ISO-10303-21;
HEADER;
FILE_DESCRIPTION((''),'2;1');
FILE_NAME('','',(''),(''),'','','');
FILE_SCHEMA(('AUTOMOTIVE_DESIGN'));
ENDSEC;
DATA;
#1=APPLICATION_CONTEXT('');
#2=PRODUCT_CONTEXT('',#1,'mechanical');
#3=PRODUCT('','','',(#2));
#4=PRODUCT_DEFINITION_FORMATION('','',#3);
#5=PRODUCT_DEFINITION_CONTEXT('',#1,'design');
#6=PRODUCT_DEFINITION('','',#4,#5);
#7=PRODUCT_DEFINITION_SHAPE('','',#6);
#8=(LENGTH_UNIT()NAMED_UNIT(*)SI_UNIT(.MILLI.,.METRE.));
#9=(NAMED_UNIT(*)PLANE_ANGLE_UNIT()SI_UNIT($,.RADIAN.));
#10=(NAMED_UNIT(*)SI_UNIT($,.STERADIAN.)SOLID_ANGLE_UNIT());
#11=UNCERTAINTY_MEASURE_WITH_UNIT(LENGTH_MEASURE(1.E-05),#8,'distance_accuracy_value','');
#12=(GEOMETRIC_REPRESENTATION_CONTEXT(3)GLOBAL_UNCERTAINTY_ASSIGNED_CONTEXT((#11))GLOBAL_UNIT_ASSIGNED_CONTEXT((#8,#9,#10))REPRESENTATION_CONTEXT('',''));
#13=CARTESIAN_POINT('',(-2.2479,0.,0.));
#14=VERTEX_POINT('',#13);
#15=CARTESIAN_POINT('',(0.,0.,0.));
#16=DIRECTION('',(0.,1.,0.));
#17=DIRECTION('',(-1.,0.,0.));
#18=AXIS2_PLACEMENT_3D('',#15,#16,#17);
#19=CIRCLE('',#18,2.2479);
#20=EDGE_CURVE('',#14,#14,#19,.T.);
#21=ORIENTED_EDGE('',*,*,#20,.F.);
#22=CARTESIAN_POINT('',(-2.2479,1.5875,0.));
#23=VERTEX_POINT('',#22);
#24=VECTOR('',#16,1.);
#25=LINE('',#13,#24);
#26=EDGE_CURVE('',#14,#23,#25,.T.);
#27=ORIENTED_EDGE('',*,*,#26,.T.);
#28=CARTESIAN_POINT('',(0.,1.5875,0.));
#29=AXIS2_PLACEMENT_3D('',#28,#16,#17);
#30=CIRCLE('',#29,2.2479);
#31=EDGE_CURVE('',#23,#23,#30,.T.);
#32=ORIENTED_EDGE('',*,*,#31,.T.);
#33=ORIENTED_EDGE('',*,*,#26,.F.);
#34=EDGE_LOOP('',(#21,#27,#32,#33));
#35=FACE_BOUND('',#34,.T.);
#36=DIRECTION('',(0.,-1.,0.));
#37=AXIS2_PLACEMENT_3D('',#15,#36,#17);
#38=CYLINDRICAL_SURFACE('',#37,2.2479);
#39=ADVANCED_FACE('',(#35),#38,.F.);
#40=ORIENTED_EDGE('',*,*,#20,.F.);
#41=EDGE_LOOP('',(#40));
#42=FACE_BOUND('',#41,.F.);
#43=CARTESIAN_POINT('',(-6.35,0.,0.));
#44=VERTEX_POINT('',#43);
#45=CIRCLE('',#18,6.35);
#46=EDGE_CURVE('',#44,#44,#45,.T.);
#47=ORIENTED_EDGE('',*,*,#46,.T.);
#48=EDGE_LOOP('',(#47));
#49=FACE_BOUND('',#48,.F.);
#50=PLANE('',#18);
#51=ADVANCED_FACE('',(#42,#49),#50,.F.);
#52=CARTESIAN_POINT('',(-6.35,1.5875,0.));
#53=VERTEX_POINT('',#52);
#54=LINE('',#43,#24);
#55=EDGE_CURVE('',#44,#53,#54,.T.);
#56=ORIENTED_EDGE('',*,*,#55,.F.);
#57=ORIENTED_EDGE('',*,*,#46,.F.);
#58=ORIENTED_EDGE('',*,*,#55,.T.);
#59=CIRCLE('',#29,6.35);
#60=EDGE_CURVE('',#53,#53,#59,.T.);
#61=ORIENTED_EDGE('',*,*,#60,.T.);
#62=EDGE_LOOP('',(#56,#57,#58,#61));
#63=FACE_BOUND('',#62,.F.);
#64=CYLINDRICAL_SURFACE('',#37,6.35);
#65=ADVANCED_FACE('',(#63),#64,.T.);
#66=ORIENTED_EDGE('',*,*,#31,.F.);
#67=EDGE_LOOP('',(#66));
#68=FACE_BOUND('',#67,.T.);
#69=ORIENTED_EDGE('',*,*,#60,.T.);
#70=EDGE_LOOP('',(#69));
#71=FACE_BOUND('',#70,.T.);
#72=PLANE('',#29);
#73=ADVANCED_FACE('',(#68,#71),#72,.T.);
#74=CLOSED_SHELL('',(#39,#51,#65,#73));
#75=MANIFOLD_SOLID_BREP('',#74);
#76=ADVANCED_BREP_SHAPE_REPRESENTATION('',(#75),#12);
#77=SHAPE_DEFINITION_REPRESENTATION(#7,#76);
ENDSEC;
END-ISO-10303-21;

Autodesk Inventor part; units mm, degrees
ref_plane "YZ Plane" through (0, 0, 0) normal (1, 0, 0) x (0, 1, 0)
ref_plane "XZ Plane" through (0, 0, 0) normal (0, 1, 0) x (-1, 0, 0)
ref_plane "XY Plane" through (0, 0, 0) normal (0, 0, 1) x (1, 0, 0)
sketch "Sketch1" plane through (0, 0, 0) normal (0, 1, 0) x (-1, 0, 0)
  circle A0 centre (0, 0) radius 2.2479
  circle A1 centre (0, 0) radius 6.35
  dimension "d0" = 4.4958
  dimension "d1" = 12.7
extrude "Extrusion1" add sketch "Sketch1" along normal blind 1.5875
equation "\"BendRadius\" = Thickness"
equation "\"BendReliefWidth\" = Thickness"
equation "\"BendReliefDepth\" = 0.5 * Thickness"
equation "\"CornerReliefSize\" = 4 * Thickness"
equation "\"MinimumRemnant\" = 2 * Thickness"
equation "\"TransitionRadius\" = BendRadius"
equation "\"JacobiRadiusSize\" = BendRadius"
equation "\"GapSize\" = Thickness"
equation "\"Thickness\" = 1.5875"
properties part number "washer" material "Acetal Resin, White"
